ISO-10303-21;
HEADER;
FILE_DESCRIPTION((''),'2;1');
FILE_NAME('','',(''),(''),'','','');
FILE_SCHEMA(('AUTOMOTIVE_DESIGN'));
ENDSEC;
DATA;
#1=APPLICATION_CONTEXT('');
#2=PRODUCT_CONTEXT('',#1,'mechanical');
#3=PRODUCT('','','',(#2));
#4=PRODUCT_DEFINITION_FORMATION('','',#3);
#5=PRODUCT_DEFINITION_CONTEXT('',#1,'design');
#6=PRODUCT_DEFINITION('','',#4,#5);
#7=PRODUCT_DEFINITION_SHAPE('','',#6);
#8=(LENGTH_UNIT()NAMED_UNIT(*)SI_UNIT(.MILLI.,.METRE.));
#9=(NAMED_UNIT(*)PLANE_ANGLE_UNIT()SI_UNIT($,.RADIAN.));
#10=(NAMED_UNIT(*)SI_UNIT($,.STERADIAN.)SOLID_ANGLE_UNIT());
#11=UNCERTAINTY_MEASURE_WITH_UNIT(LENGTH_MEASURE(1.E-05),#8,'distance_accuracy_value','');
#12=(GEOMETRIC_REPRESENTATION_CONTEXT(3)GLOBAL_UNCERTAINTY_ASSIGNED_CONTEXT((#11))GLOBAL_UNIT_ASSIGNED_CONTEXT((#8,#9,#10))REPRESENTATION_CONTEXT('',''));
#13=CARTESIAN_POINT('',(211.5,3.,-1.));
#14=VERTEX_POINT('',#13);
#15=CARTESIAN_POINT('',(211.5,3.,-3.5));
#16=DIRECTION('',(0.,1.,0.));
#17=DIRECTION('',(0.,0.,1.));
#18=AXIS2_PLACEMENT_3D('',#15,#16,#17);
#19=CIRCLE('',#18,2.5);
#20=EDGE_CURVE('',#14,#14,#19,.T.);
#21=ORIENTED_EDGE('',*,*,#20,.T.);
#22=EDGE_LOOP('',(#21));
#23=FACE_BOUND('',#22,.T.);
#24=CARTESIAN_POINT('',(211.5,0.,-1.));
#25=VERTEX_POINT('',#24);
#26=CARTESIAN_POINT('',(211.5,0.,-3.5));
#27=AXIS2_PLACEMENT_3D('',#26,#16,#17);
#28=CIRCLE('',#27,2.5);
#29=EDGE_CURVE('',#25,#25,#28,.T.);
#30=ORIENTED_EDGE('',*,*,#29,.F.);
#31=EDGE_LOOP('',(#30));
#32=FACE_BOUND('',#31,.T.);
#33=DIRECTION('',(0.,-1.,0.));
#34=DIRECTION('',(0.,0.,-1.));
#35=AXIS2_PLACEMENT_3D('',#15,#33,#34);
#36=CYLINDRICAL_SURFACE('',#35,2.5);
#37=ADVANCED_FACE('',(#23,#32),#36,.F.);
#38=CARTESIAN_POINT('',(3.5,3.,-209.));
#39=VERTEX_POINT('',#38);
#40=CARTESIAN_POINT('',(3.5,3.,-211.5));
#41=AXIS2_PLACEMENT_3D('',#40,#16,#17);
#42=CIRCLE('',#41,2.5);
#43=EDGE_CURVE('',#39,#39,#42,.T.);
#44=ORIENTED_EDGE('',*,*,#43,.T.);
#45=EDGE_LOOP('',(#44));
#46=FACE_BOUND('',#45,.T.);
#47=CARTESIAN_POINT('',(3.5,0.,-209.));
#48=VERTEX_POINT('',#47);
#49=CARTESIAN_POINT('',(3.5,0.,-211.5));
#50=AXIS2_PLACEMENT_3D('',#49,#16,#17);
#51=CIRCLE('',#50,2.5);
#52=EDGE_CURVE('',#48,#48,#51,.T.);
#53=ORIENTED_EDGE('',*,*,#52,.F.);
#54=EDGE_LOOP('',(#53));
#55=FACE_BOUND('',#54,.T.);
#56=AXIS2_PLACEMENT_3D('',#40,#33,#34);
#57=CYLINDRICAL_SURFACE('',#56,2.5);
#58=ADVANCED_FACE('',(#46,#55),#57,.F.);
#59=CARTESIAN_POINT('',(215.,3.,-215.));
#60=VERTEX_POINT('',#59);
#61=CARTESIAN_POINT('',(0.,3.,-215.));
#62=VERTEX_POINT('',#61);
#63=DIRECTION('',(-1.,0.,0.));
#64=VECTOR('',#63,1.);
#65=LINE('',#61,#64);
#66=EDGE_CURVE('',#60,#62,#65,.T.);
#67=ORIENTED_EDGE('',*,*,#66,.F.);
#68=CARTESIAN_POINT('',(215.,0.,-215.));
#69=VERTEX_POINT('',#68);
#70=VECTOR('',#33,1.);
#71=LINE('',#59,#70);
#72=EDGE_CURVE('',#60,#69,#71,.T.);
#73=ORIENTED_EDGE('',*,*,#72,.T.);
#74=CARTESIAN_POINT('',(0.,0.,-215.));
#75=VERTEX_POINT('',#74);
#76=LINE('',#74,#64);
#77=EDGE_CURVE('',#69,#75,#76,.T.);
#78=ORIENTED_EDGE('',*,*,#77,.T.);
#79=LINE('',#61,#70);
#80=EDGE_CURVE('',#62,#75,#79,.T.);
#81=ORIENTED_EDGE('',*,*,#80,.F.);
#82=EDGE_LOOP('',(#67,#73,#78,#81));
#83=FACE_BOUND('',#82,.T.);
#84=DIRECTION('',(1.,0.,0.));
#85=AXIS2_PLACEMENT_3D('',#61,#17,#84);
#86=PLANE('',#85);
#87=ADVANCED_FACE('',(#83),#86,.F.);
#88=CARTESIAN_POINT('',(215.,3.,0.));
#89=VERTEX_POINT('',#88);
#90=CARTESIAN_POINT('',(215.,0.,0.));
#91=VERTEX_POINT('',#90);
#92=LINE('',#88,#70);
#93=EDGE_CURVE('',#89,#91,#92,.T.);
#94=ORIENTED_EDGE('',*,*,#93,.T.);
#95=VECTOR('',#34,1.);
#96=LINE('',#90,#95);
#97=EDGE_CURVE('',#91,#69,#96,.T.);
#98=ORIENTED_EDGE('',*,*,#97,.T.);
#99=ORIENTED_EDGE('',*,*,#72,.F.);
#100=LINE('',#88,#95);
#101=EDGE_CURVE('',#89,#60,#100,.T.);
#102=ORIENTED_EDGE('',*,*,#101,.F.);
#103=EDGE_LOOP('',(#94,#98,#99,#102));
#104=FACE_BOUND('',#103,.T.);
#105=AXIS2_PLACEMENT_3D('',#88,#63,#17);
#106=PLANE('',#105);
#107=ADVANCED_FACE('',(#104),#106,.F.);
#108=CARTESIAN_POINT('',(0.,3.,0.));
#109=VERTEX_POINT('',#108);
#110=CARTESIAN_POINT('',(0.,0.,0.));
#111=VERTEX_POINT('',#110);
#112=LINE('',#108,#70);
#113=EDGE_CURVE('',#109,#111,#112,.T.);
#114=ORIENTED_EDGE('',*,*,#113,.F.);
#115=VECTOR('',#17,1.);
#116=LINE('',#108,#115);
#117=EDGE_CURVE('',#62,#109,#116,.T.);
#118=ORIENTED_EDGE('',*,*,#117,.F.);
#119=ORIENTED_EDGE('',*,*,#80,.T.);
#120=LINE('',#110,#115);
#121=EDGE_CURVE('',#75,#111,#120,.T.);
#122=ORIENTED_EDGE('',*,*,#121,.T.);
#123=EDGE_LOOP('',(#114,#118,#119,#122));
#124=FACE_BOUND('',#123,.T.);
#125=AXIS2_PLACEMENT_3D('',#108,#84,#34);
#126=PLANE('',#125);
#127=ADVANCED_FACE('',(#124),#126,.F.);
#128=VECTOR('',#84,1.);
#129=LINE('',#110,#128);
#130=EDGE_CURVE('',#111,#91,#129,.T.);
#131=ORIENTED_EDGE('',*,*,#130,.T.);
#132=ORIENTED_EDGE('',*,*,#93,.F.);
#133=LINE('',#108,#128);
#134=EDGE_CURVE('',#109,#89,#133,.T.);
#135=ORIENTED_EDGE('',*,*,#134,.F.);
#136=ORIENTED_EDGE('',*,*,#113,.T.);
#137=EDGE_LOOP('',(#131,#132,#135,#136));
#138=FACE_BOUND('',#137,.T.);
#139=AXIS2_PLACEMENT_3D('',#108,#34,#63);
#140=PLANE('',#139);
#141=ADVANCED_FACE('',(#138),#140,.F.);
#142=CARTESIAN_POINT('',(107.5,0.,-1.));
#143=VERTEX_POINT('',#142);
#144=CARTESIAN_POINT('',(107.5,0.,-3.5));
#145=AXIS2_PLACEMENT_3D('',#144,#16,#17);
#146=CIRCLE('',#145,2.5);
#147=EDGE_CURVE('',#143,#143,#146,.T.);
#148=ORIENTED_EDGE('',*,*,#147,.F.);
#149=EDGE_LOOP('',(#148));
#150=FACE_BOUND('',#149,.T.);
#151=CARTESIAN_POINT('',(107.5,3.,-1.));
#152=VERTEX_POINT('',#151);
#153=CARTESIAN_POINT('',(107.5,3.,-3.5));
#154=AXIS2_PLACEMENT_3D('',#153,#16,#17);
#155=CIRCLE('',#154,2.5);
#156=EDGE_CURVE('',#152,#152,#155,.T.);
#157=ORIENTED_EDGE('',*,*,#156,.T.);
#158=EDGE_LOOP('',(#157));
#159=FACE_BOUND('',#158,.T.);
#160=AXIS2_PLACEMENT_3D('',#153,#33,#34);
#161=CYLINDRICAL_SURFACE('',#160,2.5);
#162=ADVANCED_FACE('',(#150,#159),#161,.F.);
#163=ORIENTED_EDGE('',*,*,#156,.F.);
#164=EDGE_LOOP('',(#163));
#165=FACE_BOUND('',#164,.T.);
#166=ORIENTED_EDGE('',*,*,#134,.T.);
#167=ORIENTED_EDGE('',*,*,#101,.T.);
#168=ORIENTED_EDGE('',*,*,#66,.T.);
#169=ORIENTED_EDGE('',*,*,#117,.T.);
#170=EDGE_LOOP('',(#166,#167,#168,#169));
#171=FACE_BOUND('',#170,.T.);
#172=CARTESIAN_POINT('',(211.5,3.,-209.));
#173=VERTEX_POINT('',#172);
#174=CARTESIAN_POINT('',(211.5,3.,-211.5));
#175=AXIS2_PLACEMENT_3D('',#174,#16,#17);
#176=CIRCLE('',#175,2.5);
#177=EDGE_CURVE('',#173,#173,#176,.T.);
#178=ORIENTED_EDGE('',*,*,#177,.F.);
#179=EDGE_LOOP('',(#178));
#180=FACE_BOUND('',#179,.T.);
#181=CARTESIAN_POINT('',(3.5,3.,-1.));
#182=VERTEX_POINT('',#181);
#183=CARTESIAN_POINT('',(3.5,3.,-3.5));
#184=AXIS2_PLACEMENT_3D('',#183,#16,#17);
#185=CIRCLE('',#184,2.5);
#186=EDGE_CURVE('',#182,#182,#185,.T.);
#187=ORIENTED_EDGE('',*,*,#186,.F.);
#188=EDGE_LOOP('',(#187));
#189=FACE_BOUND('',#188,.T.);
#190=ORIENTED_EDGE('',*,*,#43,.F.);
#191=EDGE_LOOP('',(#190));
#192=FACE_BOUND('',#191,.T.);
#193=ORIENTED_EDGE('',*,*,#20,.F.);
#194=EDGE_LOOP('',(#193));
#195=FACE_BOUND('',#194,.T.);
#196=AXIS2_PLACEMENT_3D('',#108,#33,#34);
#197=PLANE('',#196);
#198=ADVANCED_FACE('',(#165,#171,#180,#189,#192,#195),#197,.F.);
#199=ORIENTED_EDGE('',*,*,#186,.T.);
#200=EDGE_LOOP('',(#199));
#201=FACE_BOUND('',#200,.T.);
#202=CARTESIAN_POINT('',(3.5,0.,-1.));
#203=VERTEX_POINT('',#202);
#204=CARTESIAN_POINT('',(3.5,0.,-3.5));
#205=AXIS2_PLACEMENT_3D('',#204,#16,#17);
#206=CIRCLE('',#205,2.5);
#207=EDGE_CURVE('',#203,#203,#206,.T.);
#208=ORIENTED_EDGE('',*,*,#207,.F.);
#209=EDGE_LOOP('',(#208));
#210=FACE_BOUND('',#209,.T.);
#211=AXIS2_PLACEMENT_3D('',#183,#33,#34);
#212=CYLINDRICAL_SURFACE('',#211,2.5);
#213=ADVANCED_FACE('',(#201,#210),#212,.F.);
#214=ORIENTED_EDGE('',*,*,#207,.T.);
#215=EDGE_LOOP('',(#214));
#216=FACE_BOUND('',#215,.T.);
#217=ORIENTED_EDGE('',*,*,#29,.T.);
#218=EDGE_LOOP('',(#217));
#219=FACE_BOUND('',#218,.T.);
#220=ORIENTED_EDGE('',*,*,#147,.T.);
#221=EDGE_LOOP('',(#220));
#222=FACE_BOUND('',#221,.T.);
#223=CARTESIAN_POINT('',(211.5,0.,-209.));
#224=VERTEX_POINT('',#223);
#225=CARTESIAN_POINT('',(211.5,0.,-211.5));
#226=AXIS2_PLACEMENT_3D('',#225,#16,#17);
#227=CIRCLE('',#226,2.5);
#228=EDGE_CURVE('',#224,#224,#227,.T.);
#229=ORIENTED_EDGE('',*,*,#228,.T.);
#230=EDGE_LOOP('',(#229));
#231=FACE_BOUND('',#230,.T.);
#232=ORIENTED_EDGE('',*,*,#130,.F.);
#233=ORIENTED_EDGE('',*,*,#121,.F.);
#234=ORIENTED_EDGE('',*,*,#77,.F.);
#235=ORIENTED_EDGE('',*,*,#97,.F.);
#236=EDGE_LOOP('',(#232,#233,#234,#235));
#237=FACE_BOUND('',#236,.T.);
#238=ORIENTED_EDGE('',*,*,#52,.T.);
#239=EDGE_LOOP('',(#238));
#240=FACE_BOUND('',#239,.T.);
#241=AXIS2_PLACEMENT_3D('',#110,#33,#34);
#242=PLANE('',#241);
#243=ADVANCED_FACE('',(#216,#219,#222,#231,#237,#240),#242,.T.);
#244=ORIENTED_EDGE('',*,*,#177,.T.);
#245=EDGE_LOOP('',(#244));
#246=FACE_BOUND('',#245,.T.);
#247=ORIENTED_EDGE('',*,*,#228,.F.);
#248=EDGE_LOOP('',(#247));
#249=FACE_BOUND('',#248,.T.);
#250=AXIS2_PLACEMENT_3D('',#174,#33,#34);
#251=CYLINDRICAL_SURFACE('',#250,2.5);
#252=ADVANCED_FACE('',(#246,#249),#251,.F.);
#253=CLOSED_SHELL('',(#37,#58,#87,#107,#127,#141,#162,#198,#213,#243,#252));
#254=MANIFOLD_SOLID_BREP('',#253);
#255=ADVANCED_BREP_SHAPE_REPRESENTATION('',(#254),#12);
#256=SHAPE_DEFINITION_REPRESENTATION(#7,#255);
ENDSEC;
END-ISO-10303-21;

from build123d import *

# Parameters (mm, degrees)
SKETCH1_W           = 215
SKETCH1_H           = 215
SKETCH1_R           = 2.5
BOSS_EXTRUDE1_DEPTH = 3


with BuildPart() as part:
    # Sketch1 → Boss-Extrude1 (new body)
    with BuildSketch(Plane(origin=(0, 0, 0), x_dir=(1, 0, 0), z_dir=(0, 1, 0))):
        with Locations((107.5, 107.5)):
            Rectangle(SKETCH1_W, SKETCH1_H)
        with Locations(Location((3.5, 211.5, 0), (0, 0, 270))):
            Circle(SKETCH1_R, mode=Mode.SUBTRACT)
        with Locations(Location((3.5, 3.5, 0), (0, 0, 270))):
            Circle(SKETCH1_R, mode=Mode.SUBTRACT)
        with Locations(Location((211.5, 3.5, 0), (0, 0, 270))):
            Circle(SKETCH1_R, mode=Mode.SUBTRACT)
        with Locations(Location((211.5, 211.5, 0), (0, 0, 270))):
            Circle(SKETCH1_R, mode=Mode.SUBTRACT)
        with Locations(Location((107.5, 3.5, 0), (0, 0, 270))):
            Circle(SKETCH1_R, mode=Mode.SUBTRACT)
    extrude(amount=BOSS_EXTRUDE1_DEPTH)


solid = part.part
